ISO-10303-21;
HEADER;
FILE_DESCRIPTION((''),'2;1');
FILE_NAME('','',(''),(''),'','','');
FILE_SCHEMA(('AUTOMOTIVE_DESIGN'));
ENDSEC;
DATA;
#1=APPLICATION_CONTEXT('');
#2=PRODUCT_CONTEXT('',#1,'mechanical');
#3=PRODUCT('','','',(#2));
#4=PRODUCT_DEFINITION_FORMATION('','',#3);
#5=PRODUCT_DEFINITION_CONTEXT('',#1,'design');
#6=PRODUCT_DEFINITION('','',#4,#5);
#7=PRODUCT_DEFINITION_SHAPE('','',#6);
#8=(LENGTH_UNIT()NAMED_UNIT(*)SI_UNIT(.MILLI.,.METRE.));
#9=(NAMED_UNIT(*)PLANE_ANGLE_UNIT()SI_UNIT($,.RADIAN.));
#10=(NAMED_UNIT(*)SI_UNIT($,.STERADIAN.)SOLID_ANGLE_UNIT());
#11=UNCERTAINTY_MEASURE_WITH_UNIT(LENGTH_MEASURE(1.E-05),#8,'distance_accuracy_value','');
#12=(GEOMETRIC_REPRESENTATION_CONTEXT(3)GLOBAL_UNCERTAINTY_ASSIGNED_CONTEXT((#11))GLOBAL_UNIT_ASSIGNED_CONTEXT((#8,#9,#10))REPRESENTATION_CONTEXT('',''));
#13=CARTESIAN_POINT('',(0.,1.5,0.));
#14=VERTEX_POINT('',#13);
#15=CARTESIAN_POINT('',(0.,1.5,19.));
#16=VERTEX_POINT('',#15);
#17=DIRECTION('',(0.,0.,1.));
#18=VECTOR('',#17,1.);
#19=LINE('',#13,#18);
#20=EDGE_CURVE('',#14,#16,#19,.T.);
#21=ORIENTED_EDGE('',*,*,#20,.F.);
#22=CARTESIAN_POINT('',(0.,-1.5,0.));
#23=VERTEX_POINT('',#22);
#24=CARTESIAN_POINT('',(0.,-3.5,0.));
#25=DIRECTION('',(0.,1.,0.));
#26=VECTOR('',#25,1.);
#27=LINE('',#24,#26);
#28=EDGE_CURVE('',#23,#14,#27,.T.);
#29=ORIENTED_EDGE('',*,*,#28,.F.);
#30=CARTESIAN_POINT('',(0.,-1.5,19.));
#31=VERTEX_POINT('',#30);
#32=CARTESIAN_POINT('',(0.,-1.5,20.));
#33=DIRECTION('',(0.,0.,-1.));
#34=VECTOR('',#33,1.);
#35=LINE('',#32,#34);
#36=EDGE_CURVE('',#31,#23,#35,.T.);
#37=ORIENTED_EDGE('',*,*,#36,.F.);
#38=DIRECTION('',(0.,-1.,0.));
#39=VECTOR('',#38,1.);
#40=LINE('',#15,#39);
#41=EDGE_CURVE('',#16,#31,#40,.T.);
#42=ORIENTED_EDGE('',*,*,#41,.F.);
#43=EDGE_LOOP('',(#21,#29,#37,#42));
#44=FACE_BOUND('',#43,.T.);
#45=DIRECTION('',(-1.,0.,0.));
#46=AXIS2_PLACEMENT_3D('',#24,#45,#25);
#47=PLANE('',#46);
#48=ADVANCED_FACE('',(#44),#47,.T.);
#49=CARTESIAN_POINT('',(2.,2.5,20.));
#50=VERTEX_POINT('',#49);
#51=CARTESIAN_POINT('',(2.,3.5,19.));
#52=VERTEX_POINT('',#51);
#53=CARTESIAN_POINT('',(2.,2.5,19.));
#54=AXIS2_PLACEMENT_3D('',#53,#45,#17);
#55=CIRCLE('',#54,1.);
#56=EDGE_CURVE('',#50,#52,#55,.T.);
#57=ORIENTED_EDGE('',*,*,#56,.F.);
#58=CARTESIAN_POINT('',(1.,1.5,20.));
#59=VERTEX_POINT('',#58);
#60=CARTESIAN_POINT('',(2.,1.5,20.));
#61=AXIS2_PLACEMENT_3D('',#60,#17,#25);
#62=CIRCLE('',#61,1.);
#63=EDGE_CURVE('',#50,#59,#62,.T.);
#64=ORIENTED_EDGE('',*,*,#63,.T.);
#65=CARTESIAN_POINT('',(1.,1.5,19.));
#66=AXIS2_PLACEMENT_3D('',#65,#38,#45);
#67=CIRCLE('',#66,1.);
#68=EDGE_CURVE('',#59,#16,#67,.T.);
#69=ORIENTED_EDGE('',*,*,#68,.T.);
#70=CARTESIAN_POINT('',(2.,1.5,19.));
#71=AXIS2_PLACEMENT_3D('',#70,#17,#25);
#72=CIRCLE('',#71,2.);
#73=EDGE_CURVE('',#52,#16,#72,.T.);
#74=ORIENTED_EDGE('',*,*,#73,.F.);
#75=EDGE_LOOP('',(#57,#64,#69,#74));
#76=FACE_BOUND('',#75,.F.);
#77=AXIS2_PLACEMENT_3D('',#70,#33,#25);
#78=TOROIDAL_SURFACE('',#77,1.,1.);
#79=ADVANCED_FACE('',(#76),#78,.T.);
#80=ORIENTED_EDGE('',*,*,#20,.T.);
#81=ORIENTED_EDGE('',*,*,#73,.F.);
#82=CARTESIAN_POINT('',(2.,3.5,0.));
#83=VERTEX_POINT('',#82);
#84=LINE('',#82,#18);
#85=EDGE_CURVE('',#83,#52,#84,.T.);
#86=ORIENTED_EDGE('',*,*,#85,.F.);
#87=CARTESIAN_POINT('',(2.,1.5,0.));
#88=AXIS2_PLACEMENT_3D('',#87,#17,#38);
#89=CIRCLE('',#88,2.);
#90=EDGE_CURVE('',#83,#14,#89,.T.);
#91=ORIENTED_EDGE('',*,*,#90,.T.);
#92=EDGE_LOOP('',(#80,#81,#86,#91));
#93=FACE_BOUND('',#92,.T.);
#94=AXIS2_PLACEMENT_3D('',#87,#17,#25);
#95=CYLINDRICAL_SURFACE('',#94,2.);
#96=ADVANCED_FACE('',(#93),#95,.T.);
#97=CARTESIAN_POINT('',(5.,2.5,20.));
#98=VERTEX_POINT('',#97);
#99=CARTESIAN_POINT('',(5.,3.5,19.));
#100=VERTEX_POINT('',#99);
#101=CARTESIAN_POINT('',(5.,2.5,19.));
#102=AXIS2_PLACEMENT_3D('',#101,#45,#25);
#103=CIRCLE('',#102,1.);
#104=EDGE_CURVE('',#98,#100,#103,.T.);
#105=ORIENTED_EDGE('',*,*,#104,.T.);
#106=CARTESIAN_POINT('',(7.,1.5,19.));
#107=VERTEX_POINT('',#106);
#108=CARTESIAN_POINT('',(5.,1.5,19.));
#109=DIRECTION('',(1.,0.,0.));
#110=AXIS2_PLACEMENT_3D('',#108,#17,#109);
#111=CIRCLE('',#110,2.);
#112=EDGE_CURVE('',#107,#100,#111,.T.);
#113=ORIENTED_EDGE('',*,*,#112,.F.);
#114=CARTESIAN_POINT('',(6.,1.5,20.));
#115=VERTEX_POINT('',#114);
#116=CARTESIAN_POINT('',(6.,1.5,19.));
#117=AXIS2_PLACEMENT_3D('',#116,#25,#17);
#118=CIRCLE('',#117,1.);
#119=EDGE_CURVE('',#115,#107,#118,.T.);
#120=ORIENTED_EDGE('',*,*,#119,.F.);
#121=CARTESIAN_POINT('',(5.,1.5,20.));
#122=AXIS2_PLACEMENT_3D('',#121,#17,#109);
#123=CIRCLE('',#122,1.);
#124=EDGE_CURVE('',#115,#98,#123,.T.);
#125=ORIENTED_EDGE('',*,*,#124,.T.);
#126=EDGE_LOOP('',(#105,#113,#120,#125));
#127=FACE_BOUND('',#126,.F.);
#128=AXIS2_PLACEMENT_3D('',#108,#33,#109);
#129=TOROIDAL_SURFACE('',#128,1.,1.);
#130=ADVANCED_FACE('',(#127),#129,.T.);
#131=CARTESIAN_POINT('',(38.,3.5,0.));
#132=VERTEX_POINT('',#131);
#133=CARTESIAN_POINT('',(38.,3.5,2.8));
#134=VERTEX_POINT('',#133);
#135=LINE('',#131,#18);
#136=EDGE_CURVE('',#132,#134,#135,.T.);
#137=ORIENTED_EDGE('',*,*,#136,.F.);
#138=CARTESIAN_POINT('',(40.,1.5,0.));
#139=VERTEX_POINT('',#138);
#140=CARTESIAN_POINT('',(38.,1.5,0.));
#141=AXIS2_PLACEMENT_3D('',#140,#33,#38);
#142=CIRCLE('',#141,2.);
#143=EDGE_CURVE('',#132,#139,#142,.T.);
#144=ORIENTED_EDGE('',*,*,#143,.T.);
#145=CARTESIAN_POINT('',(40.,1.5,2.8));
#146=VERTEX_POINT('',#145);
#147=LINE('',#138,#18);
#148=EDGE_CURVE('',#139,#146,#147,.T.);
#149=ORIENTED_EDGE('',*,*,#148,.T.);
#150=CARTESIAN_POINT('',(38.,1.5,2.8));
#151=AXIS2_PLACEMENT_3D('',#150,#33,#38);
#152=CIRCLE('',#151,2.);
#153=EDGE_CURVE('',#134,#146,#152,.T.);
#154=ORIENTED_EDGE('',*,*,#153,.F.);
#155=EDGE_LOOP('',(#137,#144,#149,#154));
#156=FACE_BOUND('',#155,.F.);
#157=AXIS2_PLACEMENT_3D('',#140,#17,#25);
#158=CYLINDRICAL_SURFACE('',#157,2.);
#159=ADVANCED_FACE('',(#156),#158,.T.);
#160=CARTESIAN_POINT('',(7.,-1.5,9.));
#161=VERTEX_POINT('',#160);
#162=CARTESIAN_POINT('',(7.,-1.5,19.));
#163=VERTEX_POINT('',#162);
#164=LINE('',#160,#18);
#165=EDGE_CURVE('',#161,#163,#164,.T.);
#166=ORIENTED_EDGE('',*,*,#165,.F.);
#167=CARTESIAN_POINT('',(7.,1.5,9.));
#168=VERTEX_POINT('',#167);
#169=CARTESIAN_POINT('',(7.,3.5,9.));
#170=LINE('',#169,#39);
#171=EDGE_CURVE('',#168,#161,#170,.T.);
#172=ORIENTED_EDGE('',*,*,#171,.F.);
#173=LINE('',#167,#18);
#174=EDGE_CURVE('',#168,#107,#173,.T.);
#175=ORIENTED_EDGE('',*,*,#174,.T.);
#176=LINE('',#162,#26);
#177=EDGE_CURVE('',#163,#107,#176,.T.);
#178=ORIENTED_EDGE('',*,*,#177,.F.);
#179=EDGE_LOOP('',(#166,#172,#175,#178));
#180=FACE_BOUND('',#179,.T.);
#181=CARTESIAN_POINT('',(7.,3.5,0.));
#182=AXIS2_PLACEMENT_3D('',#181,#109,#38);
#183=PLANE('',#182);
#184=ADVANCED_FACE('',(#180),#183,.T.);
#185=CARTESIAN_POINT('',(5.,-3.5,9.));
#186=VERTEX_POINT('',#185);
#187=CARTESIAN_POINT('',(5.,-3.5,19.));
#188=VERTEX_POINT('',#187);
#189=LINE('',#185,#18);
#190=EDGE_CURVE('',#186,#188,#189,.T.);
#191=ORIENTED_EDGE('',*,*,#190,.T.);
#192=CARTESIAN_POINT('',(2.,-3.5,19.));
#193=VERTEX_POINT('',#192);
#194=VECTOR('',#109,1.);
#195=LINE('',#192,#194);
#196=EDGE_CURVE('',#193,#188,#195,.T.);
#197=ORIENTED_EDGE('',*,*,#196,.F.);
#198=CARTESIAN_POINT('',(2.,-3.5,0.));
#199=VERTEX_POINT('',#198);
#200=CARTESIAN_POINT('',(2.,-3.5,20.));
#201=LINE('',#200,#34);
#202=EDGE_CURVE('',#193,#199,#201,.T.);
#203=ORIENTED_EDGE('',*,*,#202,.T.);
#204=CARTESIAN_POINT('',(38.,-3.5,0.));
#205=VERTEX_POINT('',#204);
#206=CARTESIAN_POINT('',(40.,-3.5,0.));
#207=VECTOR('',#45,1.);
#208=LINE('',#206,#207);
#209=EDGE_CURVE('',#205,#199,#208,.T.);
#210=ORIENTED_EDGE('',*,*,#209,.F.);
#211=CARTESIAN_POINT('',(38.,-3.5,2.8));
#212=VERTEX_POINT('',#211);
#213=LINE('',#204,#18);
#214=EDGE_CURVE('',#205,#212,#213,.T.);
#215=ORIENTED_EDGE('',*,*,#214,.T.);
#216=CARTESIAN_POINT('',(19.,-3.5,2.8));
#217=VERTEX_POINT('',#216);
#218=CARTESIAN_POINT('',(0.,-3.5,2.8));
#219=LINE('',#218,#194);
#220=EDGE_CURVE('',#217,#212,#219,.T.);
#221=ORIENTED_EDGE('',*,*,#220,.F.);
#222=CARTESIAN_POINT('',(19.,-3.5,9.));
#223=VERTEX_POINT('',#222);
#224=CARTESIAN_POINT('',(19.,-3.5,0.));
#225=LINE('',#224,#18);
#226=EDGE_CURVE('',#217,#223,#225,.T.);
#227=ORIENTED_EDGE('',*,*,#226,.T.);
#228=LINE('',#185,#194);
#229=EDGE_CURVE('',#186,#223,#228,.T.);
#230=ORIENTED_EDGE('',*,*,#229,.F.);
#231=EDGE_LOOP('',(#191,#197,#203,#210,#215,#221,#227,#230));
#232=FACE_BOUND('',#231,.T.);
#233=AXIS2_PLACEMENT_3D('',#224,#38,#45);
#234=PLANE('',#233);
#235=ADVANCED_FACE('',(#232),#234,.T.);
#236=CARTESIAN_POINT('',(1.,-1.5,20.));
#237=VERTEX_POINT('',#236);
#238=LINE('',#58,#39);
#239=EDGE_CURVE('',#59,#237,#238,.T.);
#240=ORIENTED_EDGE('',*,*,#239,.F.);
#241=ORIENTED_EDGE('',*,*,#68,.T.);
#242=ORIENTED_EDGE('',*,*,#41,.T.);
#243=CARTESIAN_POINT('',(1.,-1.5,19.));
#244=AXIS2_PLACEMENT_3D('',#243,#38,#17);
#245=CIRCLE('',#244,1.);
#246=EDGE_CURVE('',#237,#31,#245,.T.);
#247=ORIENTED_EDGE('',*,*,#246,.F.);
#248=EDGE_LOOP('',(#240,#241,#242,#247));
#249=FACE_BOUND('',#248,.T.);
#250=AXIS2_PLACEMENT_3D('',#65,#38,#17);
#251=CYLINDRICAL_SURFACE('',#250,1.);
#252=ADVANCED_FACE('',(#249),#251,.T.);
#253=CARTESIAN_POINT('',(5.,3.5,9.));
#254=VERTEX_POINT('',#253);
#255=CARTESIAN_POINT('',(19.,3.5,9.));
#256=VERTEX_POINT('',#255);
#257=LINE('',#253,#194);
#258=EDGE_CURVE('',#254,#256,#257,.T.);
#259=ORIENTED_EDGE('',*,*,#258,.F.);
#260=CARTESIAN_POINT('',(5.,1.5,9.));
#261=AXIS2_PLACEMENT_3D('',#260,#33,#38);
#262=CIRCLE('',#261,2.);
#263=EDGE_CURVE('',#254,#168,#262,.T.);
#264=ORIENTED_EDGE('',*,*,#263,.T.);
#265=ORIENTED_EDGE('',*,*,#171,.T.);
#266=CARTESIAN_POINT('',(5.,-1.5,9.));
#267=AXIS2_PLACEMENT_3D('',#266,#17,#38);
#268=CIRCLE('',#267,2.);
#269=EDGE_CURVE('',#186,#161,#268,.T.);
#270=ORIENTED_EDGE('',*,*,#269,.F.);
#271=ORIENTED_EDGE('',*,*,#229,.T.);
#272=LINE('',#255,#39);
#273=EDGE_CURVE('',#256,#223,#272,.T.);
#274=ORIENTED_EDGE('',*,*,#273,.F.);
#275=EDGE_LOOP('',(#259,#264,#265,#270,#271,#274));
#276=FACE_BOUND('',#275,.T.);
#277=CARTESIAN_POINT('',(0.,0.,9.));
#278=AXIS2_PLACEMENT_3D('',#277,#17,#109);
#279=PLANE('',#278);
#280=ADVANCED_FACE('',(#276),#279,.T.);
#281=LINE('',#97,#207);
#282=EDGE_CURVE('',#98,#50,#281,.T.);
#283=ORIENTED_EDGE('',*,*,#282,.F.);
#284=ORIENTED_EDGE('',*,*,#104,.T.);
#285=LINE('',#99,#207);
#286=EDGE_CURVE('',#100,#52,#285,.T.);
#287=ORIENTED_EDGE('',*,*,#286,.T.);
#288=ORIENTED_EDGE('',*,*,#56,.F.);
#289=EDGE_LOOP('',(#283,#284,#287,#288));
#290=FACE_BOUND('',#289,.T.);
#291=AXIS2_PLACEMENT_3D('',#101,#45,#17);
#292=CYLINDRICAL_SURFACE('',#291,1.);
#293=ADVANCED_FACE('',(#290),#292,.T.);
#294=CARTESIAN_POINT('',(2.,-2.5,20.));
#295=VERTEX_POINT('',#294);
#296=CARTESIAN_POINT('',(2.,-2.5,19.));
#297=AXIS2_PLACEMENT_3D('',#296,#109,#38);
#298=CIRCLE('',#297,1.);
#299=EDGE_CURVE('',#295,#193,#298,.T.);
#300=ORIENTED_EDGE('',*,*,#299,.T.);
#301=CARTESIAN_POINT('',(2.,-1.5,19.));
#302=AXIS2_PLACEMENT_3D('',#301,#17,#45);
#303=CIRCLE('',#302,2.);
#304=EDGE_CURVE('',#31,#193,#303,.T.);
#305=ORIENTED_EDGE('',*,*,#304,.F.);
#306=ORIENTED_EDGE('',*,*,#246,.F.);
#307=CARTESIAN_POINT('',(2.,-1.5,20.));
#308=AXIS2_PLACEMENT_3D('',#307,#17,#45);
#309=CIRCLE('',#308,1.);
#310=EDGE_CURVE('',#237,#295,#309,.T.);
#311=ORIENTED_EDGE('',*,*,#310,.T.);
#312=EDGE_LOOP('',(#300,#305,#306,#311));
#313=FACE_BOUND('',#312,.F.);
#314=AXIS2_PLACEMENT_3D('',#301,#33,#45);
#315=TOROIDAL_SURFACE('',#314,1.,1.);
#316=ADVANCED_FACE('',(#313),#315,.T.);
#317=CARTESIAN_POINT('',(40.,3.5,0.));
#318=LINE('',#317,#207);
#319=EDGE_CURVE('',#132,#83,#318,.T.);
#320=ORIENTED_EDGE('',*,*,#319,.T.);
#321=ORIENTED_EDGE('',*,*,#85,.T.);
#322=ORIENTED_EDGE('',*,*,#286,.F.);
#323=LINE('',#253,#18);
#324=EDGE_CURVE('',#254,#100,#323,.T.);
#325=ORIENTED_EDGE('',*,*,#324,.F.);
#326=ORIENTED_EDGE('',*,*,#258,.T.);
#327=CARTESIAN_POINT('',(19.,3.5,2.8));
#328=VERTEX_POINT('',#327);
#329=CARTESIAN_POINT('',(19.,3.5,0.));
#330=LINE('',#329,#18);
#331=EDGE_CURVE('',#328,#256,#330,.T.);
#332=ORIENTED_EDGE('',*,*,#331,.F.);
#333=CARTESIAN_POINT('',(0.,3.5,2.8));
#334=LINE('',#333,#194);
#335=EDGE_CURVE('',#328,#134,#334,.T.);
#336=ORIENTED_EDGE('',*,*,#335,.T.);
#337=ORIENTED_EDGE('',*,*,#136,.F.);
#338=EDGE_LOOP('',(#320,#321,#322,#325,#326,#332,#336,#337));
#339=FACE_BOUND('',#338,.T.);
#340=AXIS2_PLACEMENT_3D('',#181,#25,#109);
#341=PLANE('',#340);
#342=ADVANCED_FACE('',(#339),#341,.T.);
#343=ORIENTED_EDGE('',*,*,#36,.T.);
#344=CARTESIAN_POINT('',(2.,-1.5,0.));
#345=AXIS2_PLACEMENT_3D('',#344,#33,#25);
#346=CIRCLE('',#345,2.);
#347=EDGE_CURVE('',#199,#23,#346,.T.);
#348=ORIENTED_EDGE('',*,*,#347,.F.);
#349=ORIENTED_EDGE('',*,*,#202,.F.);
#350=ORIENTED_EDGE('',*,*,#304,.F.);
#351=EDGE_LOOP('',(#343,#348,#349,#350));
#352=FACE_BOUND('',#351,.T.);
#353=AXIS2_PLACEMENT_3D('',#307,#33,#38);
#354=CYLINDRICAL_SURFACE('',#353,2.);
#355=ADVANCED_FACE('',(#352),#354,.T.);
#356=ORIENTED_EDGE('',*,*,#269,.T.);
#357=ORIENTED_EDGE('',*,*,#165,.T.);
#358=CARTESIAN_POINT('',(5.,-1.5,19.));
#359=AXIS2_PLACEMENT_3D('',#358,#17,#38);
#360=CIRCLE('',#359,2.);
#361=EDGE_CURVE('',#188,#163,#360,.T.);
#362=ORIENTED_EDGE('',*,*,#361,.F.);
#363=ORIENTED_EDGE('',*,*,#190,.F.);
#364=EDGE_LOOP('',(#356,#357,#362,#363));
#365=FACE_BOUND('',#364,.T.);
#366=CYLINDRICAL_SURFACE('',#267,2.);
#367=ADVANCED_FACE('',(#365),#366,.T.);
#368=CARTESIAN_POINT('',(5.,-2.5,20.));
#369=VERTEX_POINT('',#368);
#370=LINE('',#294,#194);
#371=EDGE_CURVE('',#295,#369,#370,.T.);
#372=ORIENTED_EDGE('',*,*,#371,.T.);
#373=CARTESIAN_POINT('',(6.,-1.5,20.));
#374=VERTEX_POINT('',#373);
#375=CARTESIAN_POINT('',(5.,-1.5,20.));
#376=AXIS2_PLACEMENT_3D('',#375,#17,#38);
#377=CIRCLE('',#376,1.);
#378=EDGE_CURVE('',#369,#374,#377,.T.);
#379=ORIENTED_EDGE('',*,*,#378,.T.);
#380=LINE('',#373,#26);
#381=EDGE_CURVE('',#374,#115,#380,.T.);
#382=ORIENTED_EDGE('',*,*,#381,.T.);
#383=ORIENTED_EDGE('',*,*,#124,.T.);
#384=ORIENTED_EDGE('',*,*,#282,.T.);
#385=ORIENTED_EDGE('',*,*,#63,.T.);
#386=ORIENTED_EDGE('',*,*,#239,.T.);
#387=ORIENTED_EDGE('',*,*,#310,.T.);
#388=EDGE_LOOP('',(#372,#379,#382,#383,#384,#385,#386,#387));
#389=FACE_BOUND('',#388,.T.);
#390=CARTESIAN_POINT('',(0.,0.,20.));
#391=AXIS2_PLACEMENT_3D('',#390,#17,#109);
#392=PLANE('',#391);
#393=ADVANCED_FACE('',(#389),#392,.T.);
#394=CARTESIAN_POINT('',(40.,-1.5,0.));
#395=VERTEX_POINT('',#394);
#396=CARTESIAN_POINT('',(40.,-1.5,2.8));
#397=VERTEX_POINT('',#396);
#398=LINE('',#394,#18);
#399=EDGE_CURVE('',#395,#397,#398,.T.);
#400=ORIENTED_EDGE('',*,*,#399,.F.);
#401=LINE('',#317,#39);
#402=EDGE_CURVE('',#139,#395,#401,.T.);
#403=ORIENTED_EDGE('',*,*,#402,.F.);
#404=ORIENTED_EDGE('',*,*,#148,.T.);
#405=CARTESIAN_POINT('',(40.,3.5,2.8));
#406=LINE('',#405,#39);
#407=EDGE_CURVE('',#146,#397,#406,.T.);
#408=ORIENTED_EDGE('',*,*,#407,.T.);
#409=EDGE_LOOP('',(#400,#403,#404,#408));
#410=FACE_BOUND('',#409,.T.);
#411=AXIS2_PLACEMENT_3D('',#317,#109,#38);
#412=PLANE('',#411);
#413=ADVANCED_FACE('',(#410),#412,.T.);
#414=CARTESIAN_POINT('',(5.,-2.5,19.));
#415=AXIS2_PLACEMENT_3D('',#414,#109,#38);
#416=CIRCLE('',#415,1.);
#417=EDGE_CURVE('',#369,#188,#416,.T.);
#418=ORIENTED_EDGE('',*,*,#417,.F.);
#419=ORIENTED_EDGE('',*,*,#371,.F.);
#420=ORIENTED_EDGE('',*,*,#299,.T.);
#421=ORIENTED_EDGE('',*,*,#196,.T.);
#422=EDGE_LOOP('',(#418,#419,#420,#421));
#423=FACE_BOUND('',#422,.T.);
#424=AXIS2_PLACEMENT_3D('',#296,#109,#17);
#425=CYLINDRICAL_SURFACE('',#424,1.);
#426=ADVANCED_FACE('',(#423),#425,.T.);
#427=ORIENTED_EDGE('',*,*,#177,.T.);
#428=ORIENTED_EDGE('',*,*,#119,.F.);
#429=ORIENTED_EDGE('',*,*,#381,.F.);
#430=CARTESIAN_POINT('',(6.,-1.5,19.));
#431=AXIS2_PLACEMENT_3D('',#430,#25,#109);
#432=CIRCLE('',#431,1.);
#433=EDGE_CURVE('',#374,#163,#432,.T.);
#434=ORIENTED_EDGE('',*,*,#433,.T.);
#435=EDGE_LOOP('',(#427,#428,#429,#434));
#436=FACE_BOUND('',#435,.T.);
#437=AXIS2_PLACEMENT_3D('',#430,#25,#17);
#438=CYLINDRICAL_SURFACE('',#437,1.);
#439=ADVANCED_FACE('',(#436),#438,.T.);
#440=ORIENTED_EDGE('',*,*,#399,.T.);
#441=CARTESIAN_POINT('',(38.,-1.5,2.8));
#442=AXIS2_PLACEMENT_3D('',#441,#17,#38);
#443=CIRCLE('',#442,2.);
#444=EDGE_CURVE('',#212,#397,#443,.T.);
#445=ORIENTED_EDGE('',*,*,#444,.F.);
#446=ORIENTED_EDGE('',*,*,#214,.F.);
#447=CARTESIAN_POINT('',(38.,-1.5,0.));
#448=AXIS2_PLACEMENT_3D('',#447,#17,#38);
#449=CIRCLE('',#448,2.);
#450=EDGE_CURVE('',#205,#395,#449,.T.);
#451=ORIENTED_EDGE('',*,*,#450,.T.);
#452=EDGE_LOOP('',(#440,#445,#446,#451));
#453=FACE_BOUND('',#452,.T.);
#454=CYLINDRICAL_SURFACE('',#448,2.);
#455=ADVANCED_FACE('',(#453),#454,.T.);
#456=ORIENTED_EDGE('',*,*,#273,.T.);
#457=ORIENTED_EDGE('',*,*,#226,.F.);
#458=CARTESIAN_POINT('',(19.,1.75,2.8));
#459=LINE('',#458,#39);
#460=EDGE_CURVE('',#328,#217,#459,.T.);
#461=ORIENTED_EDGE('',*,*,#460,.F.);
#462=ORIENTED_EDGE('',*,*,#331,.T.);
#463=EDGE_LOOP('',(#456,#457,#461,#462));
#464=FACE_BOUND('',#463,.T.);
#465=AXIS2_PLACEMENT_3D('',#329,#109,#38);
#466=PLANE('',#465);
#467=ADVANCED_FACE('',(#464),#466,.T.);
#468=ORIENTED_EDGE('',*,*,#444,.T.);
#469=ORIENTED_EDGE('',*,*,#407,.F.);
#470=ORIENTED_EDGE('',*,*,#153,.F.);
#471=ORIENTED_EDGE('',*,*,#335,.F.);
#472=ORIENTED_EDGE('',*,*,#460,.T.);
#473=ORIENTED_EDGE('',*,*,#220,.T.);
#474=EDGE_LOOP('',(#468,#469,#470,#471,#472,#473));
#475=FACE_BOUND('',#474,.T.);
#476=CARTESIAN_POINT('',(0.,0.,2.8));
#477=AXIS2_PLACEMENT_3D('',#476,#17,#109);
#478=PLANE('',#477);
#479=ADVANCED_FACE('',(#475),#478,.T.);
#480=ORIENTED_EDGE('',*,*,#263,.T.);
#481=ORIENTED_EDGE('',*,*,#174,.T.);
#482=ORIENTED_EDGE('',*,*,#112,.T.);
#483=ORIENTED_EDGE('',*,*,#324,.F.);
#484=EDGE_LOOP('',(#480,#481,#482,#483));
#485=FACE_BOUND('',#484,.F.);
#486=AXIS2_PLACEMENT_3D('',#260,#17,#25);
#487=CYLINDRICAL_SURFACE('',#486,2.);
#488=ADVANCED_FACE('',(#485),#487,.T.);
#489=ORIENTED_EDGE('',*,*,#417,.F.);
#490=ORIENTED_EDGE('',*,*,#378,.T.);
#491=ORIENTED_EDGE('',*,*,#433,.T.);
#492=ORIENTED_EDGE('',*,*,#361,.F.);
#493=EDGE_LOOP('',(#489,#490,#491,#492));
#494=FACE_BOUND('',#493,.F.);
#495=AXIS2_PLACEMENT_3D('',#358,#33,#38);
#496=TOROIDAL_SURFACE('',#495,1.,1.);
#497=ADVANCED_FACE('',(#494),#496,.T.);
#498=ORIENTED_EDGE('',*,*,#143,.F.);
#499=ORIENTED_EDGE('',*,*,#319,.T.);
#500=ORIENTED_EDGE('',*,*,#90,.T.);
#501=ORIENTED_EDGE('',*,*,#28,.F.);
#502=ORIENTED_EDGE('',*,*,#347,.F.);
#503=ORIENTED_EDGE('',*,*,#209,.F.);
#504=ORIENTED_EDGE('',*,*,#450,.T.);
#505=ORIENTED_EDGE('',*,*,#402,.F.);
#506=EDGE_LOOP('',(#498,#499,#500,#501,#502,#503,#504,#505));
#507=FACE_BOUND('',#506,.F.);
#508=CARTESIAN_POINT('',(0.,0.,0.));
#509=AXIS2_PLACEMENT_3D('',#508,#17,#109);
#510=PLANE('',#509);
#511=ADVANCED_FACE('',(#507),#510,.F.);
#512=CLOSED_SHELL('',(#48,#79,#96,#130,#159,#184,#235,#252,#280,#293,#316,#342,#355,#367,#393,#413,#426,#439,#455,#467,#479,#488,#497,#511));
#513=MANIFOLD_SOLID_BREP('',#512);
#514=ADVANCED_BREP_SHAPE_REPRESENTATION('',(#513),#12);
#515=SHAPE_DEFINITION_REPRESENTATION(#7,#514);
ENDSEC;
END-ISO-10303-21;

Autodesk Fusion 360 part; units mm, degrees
sketch "Sketch1" plane through (0, 0, 0) normal (0, 0, 1) x (1, 0, 0)
  line L0 (0, 3.5) -> (40, 3.5)
  line L1 (40, 3.5) -> (40, -3.5)
  line L2 (40, -3.5) -> (0, -3.5)
  line L3 (0, -3.5) -> (0, 3.5)
  line L4 (0, 3.5) -> (7, 3.5)
  line L5 (7, 3.5) -> (7, -3.5)
  line L6 (7, -3.5) -> (0, -3.5)
  line L7 (0, -3.5) -> (0, 3.5)
  line L8 (40, 3.5) -> (19, 3.5)
  line L9 (19, 3.5) -> (19, -3.5)
  line L10 (19, -3.5) -> (40, -3.5)
  line L11 (40, -3.5) -> (40, 3.5)
  dimension "d1" = 7
  dimension "d2" = 40
  dimension "d5" = 7
  dimension "d14" = 21
  dimension "d19" = 34
extrude "Extrude3" add sketch "Sketch1" along normal blind 9 contours L0 L2 L5 L9 makes body 1
extrude "Extrude2" add sketch "Sketch1" along normal blind 20 separate body contours L0 L2 L3 L4 L5 L6 L7 makes body 2
extrude "Extrude1" add sketch "Sketch1" along normal blind 2.8 bodies 1 2
fillet "Fillet3" radius 2 6 edges at (7, -3.5, 14.5) (0, -3.5, 10) (0, 3.5, 10) (7, 3.5, 14.5) (40, 3.5, 1.4) (40, -3.5, 1.4) on bodies 1
fillet "Fillet4" radius 1 8 edges at (6.4142, -2.9142, 20) (7, 0, 20) (6.4142, 2.9142, 20) (3.5, 3.5, 20) (0.5858, 2.9142, 20) (0, 0, 20) (0.5858, -2.9142, 20) (3.5, -3.5, 20) on bodies 1
